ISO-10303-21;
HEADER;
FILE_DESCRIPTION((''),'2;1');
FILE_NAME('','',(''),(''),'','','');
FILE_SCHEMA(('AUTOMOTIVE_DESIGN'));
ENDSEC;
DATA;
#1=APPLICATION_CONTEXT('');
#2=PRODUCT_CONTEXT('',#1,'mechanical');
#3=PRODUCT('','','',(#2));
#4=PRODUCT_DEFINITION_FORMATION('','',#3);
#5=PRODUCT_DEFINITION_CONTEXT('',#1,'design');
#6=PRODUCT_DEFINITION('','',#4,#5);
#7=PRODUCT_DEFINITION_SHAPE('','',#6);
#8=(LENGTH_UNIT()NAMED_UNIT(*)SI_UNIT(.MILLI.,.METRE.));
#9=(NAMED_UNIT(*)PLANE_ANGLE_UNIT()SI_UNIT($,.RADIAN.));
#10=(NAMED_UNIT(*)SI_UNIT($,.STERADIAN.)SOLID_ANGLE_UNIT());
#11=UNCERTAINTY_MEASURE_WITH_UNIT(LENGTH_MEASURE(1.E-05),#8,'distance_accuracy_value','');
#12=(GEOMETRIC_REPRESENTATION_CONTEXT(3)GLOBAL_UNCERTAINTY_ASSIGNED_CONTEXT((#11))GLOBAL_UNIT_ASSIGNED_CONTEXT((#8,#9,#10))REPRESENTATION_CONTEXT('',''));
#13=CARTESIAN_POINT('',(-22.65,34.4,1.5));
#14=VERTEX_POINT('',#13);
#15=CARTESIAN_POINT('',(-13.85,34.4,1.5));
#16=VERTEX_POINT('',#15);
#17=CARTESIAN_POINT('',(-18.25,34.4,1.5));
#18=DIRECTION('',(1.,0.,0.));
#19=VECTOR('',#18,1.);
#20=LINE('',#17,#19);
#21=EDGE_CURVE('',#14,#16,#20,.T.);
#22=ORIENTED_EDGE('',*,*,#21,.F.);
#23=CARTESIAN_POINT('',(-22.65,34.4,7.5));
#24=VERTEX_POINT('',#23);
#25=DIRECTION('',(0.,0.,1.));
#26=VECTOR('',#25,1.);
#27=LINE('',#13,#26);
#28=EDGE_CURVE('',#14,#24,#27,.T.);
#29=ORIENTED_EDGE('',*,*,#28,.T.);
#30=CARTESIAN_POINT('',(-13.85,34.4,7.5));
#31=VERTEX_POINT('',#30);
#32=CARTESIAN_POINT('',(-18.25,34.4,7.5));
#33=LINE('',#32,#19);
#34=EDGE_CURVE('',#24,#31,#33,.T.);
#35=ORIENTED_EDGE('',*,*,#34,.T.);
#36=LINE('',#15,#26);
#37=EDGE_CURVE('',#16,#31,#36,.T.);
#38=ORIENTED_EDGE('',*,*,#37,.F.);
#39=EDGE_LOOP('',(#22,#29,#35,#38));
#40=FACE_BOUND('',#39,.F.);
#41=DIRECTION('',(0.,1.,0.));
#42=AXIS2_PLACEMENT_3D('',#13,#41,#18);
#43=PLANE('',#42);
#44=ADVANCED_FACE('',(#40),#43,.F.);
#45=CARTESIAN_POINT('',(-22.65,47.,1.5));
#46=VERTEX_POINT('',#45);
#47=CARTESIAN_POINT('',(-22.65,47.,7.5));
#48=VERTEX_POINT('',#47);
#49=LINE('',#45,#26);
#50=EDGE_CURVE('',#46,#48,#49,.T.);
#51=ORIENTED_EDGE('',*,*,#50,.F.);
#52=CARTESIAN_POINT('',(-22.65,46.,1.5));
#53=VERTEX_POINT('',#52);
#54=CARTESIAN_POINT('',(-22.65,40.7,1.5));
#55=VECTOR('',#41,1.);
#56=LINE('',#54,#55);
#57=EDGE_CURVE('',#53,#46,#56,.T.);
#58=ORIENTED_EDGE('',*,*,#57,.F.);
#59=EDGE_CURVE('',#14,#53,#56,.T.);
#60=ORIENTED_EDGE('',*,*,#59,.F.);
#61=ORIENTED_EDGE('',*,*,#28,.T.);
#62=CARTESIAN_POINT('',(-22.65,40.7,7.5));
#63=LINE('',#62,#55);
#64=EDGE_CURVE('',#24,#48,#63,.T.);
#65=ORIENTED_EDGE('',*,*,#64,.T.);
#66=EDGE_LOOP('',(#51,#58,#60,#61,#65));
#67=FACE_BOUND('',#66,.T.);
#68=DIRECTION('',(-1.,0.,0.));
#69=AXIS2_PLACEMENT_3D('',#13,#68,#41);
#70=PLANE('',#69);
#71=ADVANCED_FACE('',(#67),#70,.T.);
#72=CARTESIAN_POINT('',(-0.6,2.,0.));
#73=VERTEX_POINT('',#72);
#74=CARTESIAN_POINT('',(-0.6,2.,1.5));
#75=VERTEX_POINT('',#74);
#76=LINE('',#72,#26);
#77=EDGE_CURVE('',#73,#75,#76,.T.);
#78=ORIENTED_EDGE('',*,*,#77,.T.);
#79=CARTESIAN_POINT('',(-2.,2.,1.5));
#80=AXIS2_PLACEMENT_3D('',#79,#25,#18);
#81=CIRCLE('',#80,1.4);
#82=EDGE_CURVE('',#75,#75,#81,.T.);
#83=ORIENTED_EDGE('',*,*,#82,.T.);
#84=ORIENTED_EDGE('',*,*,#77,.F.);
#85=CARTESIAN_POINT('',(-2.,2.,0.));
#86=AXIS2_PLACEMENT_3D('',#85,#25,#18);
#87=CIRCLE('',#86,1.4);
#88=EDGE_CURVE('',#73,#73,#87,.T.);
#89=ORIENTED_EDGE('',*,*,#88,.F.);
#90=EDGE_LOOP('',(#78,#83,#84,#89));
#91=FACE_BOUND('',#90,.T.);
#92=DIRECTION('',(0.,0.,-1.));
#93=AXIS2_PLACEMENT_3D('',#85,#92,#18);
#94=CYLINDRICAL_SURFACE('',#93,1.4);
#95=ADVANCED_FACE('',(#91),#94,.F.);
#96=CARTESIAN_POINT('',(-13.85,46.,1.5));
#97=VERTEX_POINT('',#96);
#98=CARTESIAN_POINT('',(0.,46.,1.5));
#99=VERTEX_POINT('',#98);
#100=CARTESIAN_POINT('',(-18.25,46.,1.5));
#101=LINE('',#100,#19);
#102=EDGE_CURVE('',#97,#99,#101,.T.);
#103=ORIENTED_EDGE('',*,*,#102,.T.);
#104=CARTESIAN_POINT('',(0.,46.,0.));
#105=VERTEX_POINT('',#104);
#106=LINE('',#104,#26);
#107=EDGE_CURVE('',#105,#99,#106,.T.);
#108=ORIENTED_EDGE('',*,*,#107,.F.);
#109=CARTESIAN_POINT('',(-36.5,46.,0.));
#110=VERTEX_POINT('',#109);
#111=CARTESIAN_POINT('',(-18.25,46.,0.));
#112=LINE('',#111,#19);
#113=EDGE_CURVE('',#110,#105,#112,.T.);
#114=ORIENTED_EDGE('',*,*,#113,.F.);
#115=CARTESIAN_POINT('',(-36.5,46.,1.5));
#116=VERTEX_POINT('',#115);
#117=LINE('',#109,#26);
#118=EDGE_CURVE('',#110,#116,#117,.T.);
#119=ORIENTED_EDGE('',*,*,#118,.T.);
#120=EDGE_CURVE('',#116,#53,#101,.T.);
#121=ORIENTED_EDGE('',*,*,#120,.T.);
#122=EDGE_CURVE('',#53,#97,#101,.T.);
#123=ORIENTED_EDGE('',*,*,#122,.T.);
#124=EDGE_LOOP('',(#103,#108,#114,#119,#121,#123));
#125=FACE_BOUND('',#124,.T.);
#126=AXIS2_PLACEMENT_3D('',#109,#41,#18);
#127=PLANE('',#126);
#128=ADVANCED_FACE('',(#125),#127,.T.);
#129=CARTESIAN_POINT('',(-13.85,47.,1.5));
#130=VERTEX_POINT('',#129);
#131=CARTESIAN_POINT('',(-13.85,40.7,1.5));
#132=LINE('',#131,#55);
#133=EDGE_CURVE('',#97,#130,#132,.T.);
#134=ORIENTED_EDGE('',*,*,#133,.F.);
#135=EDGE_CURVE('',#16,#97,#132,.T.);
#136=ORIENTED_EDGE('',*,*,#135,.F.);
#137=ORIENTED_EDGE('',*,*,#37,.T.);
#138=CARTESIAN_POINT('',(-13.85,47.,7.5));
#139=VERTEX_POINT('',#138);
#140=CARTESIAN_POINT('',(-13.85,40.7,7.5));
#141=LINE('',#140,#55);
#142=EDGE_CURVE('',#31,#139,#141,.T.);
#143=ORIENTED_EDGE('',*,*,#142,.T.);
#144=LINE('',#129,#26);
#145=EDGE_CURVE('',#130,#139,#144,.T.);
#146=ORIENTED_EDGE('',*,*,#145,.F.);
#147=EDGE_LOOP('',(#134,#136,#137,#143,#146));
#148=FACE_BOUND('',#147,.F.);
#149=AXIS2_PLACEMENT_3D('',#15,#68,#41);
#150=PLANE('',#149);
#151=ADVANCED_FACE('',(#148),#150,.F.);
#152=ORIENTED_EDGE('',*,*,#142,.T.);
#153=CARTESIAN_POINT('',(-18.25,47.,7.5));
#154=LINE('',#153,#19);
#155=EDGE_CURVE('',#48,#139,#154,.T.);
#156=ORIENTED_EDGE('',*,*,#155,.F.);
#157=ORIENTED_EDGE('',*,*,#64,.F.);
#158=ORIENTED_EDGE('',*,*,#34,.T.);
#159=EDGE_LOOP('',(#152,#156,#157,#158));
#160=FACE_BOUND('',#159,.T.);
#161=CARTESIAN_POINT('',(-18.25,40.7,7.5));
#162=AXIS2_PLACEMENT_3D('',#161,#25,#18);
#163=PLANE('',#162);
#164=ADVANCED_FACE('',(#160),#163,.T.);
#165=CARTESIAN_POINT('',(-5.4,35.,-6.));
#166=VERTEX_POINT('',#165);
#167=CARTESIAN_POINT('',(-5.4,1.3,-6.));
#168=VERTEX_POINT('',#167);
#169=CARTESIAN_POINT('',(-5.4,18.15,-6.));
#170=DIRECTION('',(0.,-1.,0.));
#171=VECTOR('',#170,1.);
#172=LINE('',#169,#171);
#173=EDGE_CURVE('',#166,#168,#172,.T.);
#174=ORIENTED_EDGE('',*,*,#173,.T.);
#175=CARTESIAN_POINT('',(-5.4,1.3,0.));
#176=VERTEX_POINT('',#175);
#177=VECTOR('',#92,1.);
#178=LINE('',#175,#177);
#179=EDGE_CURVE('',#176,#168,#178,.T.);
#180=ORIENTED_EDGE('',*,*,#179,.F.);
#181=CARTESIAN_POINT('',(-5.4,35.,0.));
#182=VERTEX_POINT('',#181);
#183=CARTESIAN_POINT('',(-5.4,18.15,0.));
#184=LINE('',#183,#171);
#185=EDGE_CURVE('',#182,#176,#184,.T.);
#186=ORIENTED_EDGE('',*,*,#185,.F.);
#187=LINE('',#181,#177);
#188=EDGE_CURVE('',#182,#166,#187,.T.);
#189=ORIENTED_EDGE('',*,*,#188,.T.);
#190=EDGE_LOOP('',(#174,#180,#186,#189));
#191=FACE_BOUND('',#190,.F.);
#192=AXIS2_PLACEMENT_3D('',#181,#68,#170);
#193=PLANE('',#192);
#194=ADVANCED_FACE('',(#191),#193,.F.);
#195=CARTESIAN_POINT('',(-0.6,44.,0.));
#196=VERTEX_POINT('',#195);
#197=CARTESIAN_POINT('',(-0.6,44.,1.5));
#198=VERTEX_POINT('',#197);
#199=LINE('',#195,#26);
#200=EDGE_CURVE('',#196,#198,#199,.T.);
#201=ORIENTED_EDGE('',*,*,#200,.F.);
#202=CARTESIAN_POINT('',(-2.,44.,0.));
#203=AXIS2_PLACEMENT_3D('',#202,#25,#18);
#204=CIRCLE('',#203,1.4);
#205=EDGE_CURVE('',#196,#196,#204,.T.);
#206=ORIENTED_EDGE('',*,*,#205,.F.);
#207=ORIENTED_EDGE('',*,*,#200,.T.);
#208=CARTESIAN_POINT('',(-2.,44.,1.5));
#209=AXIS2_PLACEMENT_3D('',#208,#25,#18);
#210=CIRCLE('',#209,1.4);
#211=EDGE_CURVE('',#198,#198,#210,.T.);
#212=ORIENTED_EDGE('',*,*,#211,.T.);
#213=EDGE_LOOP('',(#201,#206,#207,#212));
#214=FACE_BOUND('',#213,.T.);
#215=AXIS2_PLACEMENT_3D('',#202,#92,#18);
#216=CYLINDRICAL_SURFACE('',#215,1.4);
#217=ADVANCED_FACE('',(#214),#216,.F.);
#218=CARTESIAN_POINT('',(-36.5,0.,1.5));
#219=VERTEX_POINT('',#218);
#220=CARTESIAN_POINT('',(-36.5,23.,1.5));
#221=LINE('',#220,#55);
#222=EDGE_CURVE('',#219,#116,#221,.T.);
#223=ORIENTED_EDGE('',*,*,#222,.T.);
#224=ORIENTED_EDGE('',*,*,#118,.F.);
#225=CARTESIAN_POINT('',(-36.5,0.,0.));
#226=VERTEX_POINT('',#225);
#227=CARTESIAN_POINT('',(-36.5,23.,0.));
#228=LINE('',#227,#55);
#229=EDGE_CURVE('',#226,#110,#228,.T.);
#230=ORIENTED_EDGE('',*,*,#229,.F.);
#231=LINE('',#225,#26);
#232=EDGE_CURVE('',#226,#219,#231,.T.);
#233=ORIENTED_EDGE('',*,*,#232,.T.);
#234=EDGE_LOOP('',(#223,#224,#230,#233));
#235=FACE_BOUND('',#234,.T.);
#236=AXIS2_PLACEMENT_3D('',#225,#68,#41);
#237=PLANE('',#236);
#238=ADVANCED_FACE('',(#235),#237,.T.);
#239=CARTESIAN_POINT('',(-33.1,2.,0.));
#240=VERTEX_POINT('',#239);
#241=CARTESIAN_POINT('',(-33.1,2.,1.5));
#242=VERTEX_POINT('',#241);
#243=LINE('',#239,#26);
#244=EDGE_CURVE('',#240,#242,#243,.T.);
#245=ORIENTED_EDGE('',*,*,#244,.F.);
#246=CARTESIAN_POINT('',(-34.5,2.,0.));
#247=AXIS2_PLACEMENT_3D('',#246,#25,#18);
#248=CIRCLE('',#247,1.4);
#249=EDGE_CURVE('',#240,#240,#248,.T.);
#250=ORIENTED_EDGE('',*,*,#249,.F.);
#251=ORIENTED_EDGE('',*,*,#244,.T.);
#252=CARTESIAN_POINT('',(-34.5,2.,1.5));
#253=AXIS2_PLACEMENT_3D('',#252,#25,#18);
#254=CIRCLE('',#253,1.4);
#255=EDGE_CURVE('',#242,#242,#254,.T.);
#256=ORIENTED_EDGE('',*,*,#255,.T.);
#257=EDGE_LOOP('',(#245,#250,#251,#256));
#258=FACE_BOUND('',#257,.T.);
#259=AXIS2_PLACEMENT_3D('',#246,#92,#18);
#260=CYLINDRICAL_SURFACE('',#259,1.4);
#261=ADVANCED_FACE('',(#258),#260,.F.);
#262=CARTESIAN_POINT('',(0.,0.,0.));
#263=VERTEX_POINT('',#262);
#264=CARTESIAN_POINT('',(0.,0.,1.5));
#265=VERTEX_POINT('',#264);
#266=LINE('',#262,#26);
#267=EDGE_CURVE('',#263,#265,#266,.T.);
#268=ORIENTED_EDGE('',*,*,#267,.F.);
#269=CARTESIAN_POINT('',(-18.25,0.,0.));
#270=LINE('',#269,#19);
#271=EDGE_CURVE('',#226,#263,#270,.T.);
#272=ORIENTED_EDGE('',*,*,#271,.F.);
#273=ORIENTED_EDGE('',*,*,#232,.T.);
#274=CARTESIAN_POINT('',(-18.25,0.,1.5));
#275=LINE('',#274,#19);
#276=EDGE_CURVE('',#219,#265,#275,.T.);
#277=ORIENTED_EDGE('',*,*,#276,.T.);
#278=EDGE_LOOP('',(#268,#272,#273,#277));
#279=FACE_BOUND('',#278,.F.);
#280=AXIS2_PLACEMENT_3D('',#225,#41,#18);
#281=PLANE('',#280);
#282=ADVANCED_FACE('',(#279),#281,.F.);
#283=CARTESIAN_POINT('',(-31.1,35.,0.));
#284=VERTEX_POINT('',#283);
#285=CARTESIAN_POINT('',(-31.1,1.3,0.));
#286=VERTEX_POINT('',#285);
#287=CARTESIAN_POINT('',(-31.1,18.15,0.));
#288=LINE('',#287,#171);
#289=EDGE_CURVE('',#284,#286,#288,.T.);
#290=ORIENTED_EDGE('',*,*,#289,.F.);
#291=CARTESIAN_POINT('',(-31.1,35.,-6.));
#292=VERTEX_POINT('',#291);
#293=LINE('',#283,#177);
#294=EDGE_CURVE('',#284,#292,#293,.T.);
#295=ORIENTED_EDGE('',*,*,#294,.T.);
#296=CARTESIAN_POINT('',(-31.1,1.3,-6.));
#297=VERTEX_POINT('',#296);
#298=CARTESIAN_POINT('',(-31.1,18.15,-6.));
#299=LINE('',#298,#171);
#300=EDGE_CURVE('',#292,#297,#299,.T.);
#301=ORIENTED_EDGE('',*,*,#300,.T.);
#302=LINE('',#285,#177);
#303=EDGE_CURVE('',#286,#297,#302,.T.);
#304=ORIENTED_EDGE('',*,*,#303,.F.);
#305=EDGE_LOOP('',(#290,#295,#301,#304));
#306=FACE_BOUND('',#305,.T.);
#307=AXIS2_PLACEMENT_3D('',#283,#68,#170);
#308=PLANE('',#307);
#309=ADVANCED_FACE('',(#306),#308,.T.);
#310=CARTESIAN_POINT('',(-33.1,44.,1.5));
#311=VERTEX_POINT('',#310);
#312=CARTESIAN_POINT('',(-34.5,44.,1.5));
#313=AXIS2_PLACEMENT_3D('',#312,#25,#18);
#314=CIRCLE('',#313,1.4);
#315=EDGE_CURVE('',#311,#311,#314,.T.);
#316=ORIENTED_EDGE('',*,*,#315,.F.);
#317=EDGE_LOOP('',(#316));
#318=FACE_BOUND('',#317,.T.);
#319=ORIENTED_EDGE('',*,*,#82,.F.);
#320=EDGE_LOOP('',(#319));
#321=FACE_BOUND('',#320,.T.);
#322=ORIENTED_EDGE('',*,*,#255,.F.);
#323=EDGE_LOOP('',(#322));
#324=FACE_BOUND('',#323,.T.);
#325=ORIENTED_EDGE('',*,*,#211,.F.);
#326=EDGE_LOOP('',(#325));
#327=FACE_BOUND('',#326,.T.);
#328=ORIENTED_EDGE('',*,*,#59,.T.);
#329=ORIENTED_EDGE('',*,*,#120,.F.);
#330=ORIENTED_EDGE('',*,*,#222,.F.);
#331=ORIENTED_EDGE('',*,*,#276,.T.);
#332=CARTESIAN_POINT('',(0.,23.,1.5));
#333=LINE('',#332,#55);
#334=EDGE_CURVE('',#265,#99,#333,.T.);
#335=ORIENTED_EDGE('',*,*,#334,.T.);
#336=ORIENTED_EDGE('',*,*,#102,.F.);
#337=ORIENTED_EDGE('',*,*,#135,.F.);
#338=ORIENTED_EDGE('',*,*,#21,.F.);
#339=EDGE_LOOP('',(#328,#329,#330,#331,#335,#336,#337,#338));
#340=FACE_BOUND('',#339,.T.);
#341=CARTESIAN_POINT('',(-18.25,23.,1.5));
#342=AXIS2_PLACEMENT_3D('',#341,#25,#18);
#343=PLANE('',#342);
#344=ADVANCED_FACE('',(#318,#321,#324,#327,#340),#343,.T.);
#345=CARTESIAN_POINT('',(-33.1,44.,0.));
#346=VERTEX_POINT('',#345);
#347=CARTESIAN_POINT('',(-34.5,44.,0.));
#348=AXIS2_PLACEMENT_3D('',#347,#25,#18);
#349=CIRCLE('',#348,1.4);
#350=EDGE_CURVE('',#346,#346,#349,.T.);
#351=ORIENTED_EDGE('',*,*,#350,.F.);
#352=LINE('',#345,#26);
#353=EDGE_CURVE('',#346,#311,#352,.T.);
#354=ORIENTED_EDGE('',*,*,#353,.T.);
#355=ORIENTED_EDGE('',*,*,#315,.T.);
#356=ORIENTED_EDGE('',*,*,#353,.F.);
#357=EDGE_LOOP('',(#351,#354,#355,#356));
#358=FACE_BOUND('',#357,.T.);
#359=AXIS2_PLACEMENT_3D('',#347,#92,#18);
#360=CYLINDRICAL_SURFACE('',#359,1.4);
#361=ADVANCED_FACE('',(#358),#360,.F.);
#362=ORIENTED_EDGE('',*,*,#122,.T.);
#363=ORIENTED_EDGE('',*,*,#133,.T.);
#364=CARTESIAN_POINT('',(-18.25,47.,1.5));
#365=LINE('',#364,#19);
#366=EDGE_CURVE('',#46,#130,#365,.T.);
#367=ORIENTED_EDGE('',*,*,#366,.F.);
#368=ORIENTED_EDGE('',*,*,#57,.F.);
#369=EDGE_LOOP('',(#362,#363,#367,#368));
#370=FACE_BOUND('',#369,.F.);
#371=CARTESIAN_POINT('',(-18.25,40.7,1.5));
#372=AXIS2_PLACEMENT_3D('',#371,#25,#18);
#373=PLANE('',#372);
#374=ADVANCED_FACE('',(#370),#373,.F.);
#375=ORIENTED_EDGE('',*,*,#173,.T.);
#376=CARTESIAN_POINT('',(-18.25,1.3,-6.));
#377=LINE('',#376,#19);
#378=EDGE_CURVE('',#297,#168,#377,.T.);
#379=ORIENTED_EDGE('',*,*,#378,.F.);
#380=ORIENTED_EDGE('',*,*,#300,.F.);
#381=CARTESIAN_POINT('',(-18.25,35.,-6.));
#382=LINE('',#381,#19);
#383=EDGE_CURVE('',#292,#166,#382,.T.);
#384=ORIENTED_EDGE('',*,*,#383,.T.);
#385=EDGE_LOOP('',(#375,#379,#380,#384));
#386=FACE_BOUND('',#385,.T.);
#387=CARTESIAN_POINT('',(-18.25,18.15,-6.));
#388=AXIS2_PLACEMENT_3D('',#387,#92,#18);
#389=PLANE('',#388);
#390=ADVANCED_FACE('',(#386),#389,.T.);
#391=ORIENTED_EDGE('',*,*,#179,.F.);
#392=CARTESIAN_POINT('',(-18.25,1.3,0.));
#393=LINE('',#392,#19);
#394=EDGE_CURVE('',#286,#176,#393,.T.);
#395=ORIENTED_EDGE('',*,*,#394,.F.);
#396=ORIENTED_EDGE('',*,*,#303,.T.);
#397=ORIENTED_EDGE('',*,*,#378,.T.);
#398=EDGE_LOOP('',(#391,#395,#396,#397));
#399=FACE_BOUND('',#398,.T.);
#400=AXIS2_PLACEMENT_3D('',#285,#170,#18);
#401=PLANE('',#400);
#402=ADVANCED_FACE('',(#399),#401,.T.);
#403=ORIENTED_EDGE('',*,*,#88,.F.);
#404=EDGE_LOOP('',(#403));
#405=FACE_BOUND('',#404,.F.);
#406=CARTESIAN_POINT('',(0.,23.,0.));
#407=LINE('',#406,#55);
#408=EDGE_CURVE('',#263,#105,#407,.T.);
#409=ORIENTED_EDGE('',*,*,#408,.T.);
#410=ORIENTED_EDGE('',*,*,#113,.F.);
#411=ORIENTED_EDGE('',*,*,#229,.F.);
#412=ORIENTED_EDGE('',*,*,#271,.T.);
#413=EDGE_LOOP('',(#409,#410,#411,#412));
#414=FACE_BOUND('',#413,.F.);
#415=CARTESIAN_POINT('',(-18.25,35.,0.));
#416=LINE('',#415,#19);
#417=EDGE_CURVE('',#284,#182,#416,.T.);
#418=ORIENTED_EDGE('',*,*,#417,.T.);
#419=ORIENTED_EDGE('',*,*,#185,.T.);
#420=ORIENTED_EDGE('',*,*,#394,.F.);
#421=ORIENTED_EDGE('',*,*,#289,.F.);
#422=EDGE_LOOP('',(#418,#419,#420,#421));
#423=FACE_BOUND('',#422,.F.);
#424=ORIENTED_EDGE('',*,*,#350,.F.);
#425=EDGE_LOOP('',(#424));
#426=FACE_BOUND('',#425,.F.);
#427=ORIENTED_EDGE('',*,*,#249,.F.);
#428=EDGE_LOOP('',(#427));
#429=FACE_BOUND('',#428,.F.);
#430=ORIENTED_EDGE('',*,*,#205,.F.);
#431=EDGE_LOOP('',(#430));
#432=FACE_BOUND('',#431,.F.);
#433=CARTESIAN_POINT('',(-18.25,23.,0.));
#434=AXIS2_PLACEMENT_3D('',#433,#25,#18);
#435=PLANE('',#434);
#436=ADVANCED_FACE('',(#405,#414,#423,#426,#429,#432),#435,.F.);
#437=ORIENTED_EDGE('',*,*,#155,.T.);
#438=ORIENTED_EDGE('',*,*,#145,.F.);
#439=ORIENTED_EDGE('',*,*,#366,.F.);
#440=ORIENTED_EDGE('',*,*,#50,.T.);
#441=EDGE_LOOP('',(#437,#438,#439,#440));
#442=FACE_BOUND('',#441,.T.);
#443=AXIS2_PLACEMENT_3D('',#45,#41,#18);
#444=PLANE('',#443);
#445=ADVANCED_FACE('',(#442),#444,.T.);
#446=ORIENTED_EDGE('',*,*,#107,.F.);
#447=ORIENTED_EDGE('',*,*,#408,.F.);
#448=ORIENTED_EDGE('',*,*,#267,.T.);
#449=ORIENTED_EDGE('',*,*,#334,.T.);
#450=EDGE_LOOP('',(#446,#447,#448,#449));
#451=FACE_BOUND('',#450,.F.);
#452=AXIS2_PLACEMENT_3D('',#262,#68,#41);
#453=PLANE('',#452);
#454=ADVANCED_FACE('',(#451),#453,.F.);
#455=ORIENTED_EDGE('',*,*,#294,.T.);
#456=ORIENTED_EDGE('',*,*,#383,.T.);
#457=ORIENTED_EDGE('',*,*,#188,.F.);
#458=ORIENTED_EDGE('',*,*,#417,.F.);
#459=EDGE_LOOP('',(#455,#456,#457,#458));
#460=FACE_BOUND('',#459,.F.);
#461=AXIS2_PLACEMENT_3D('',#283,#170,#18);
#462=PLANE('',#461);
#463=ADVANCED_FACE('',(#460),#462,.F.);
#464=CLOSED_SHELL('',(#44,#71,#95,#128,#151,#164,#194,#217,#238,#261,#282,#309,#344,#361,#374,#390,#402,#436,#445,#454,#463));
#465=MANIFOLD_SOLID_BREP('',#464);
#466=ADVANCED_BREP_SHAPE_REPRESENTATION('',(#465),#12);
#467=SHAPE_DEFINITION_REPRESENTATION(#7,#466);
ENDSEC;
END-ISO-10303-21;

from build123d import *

# Parameters (mm, degrees)
F0_W     = 36.5
F0_H     = 46
F0_R     = 1.4
F1_DEPTH = 1.5
F2_W     = 8.8
F2_H     = 12.6
F3_DEPTH = 6
F4_W     = 25.7
F4_H     = 33.7
F5_DEPTH = 6


with BuildPart() as f1:
    # F0 (on Top) → F1 (new body)
    with BuildSketch(Plane.XY):
        with Locations((-18.25, 23)):
            Rectangle(F0_W, F0_H)
        with Locations((-34.5, 2)):
            Circle(F0_R, mode=Mode.SUBTRACT)
        with Locations((-2, 2)):
            Circle(F0_R, mode=Mode.SUBTRACT)
        with Locations((-34.5, 44)):
            Circle(F0_R, mode=Mode.SUBTRACT)
        with Locations((-2, 44)):
            Circle(F0_R, mode=Mode.SUBTRACT)
    extrude(amount=F1_DEPTH)

    # F2 (on face) → F3 (join)
    with BuildSketch(Plane.XY.offset(1.5)):
        with Locations((-18.25, 40.7)):
            Rectangle(F2_W, F2_H)
    extrude(amount=F3_DEPTH)

    # F4 (on face) → F5 (join)
    with BuildSketch(Plane(origin=(0, 0, 0), x_dir=(1, 0, 0), z_dir=(0, 0, -1))):
        with Locations((-18.25, -18.15)):
            Rectangle(F4_W, F4_H)
    extrude(amount=F5_DEPTH)


solid = f1.part
